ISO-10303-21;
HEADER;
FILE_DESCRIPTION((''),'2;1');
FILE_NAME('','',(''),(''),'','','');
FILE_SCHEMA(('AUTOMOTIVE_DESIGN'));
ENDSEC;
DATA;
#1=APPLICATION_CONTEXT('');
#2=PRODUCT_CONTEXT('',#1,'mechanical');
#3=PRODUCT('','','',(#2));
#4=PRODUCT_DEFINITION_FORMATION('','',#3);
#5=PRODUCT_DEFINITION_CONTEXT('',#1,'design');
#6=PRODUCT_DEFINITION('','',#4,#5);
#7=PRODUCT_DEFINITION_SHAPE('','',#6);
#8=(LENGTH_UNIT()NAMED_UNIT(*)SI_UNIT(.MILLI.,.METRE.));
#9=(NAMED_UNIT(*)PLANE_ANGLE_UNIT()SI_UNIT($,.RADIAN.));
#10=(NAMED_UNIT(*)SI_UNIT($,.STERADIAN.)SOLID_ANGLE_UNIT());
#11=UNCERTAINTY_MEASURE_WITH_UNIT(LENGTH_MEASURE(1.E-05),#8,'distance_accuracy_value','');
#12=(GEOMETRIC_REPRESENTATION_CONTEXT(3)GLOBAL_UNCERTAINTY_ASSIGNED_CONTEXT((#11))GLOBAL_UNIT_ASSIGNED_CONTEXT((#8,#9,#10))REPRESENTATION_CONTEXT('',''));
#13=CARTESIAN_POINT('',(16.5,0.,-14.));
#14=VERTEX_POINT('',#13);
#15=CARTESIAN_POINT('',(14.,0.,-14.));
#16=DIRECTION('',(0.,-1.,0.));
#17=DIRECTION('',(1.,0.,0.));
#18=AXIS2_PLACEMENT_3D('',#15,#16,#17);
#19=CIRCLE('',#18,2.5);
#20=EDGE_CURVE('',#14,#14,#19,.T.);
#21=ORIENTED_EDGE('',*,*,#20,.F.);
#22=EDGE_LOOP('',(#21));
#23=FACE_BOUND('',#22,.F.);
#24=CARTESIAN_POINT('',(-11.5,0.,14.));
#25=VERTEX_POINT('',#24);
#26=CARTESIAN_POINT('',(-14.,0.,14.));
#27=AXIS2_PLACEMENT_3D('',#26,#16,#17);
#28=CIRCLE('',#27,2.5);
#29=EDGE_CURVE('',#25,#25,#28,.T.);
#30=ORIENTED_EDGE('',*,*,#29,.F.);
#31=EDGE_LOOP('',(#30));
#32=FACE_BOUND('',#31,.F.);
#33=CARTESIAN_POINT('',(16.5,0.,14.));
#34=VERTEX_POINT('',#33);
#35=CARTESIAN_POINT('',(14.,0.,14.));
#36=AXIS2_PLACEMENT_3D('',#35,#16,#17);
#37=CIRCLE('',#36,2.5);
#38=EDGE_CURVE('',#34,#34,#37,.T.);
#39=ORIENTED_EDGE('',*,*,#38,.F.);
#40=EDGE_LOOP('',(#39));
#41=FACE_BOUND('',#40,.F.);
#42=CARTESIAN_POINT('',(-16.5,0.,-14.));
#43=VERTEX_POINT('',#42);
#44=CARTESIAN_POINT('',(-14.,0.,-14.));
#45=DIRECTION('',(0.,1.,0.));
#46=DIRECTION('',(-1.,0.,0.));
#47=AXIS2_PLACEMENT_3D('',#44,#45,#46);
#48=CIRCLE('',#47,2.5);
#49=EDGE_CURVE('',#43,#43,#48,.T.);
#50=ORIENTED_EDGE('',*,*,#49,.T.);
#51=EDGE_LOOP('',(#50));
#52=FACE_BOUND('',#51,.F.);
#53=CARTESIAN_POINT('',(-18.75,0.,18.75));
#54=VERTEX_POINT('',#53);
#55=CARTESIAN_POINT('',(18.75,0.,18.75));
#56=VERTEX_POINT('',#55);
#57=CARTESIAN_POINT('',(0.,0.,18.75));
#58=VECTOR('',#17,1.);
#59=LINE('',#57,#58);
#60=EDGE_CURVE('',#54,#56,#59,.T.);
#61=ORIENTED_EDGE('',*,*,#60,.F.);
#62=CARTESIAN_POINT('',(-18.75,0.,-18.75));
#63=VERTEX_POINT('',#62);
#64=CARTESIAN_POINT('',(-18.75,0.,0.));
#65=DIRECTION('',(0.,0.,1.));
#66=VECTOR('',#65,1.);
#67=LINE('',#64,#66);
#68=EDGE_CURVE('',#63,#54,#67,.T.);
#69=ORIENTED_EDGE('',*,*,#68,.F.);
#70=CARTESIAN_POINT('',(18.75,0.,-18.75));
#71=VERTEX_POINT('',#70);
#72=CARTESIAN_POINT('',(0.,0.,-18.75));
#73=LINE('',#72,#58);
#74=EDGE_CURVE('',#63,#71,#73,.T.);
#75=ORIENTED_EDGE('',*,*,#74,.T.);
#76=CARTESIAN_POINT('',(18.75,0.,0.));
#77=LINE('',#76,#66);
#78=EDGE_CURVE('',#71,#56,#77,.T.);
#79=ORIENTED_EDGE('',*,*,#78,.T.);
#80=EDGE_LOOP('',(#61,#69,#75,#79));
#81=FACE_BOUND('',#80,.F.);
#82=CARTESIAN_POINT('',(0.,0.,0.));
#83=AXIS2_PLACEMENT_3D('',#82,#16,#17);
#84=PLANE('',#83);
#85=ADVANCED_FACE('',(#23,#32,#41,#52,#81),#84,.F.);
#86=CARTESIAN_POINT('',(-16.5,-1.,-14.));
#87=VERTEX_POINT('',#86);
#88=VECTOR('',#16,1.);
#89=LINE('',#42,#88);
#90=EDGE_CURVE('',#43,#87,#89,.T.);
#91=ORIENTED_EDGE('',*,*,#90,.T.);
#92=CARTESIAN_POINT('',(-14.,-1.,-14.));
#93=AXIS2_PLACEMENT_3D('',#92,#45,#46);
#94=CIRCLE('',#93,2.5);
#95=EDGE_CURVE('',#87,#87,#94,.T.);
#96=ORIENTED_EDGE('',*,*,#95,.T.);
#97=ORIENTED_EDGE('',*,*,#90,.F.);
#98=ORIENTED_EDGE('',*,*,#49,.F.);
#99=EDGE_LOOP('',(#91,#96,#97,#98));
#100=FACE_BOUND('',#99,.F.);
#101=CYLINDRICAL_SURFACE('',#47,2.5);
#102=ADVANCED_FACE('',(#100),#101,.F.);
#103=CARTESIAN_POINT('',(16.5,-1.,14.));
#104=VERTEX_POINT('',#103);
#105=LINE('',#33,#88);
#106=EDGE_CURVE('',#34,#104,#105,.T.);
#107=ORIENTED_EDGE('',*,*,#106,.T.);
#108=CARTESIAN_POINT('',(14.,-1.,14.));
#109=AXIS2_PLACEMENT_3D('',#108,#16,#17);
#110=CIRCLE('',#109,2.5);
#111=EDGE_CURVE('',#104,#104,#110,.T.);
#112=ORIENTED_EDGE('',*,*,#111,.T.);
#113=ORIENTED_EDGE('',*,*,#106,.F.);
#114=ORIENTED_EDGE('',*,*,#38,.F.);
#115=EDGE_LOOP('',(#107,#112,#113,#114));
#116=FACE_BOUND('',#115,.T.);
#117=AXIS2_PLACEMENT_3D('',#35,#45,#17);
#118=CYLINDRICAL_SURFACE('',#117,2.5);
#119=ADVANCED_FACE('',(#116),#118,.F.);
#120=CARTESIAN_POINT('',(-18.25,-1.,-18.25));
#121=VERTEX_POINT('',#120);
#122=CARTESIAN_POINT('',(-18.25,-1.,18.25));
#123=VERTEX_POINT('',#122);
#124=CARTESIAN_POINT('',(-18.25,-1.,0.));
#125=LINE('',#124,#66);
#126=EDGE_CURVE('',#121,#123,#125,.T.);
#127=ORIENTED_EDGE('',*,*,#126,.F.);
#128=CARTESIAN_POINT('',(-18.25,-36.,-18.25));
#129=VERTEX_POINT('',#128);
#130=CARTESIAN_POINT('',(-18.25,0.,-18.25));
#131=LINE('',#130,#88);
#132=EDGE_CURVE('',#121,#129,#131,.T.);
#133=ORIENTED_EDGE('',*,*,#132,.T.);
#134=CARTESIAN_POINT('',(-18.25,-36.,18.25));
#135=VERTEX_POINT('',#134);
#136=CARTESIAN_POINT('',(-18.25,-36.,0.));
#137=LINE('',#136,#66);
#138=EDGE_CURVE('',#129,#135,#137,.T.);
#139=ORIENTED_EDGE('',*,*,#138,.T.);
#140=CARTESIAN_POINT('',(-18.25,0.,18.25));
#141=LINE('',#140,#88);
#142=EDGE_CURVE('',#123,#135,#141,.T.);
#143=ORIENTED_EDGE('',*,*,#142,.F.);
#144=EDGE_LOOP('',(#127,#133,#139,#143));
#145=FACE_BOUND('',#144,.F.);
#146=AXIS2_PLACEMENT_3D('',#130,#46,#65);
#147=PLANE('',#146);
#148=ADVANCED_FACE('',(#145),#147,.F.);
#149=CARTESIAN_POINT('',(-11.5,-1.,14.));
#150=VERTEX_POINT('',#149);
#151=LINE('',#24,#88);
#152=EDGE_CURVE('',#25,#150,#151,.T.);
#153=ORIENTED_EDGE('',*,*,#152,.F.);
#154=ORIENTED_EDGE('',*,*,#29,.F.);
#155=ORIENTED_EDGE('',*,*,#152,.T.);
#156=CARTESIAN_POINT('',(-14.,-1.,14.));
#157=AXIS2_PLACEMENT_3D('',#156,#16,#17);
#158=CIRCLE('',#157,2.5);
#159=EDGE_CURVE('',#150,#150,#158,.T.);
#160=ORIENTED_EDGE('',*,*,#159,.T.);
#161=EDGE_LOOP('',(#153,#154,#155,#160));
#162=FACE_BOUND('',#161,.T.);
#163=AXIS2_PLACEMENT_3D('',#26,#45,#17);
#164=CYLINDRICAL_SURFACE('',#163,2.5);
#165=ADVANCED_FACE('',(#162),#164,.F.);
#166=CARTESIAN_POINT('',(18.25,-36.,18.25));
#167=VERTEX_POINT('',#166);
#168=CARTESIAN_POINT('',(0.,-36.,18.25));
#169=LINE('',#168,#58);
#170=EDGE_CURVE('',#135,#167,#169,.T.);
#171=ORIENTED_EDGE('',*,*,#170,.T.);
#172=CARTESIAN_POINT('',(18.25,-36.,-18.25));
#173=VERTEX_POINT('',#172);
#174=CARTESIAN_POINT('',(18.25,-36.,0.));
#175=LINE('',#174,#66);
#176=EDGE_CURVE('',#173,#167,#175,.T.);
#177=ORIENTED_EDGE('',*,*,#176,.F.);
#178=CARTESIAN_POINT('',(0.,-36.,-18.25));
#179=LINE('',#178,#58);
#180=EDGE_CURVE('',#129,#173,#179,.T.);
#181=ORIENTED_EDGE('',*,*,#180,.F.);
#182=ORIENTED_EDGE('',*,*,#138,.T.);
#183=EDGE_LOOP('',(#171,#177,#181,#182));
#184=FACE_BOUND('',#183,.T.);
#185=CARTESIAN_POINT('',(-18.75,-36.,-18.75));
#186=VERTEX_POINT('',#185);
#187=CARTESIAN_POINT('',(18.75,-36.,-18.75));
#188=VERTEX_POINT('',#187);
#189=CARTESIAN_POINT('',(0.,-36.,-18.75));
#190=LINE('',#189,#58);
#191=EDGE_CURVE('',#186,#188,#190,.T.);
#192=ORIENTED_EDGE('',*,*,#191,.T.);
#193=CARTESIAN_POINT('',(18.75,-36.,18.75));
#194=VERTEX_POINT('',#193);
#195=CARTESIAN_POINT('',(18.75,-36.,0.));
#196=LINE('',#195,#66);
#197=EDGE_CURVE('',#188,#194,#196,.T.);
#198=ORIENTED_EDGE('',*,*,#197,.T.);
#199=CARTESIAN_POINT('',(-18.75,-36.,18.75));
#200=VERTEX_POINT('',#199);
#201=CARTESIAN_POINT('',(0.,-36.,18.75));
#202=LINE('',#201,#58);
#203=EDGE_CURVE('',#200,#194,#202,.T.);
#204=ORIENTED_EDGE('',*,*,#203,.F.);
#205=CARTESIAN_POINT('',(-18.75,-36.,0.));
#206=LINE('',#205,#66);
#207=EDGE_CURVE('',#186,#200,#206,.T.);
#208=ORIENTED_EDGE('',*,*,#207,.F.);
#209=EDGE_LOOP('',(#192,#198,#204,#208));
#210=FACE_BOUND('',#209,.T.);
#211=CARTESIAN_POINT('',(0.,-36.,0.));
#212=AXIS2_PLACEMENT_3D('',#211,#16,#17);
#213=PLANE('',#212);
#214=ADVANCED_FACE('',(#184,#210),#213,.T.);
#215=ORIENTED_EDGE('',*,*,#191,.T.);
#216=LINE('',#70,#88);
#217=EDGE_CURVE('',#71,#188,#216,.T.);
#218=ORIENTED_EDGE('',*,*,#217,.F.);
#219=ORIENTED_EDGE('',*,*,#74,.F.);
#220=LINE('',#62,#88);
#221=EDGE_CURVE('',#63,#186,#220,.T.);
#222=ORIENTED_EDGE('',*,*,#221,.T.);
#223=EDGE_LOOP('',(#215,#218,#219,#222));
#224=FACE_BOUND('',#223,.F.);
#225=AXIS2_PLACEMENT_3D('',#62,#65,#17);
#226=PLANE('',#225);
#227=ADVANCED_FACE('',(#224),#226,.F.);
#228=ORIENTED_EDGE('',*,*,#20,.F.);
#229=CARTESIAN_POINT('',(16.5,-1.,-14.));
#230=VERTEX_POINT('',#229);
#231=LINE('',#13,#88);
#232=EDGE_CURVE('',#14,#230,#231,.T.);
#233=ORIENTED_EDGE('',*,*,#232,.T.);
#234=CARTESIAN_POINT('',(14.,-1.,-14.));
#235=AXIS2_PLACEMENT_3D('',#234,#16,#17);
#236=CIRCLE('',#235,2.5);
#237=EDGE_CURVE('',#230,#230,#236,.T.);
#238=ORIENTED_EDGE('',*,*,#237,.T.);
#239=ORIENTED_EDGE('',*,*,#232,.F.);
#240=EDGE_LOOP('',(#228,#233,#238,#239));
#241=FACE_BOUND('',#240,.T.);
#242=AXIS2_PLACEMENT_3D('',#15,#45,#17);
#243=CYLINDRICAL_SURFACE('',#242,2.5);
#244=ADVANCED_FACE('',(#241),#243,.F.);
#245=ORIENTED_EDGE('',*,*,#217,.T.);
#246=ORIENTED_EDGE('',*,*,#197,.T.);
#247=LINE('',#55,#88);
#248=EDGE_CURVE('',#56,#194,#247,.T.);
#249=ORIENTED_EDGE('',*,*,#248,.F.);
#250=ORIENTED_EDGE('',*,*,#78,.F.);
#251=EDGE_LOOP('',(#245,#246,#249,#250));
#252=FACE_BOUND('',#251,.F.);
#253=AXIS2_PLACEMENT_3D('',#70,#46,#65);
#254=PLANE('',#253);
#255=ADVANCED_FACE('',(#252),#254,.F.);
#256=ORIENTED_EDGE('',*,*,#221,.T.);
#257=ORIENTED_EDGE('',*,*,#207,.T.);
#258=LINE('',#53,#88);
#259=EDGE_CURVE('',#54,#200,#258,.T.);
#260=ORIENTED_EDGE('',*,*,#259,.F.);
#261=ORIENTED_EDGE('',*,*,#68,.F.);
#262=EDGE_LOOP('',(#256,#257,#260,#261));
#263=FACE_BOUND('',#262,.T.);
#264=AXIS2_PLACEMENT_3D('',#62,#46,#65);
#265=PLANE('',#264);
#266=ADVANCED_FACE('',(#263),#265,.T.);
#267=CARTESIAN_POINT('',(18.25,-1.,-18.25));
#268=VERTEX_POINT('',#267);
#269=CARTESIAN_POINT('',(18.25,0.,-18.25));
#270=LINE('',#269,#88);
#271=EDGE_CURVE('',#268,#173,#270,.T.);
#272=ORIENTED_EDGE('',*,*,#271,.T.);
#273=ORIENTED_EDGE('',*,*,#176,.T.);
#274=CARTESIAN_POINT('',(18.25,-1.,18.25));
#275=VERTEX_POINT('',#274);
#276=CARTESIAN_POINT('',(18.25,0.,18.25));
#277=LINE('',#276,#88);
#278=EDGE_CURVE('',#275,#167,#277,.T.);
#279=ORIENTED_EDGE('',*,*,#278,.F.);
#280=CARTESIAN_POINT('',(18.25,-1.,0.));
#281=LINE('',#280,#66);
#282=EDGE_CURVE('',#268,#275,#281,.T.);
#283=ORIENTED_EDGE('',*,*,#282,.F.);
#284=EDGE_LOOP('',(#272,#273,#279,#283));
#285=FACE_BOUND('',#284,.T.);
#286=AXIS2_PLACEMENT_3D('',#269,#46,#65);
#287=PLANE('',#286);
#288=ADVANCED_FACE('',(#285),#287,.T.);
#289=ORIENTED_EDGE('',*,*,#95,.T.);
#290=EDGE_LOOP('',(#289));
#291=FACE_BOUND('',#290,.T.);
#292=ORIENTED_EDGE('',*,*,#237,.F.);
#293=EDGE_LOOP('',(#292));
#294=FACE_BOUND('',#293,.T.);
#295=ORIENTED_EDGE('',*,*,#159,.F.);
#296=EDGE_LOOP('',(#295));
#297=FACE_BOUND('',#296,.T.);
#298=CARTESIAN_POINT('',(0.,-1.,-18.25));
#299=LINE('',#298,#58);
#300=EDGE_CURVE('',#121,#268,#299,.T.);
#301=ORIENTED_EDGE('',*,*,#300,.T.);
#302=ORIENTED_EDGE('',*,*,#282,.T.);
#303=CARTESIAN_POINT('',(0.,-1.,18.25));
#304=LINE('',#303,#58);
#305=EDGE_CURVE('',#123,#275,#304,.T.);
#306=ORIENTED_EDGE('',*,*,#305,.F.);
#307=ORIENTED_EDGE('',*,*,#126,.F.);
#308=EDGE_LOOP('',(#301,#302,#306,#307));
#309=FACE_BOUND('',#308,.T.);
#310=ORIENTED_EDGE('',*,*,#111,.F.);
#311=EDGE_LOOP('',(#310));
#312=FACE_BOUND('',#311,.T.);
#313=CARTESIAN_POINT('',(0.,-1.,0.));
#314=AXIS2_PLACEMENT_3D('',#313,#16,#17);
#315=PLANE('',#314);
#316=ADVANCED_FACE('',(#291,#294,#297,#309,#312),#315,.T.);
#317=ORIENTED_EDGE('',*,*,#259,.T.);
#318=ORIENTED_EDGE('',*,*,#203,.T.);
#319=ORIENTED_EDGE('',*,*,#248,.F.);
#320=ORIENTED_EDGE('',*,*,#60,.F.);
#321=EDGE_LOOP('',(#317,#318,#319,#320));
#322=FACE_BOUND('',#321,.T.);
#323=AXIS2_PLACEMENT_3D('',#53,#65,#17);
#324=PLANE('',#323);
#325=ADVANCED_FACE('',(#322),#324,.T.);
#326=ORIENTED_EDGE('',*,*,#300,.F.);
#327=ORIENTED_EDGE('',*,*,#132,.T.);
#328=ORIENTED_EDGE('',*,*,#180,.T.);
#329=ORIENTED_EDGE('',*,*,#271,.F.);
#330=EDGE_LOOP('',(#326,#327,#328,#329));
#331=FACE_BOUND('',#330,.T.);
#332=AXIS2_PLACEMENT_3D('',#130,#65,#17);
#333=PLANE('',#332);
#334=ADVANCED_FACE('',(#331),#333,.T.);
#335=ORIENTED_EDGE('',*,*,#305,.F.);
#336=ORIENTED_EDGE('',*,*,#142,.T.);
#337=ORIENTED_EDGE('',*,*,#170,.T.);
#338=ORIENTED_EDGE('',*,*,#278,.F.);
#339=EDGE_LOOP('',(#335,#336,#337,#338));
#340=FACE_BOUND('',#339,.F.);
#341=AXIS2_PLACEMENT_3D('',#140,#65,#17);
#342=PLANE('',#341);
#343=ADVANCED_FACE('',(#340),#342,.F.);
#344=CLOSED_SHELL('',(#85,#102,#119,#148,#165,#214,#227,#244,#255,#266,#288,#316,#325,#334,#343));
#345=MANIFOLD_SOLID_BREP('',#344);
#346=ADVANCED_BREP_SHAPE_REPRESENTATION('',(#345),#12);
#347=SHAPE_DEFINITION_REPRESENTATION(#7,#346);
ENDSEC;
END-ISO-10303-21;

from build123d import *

# Parameters (mm, degrees)
F0_W     = 37.5
F0_H     = 37.5
F0_W_2   = 36.5
F0_H_2   = 36.5
F1_DEPTH = 36
F0_R     = 2.5
F2_DEPTH = 1


with BuildPart() as f1:
    # F0 (on Front) → F1 (new body)
    with BuildSketch(Plane.XZ):
        Rectangle(F0_W, F0_H)
        Rectangle(F0_W_2, F0_H_2, mode=Mode.SUBTRACT)
    extrude(amount=F1_DEPTH)

    # F0 (on Front) → F2 (join)
    with BuildSketch(Plane.XZ):
        Rectangle(F0_W_2, F0_H_2)
        Polygon((18, 18), (18, -18), (-18, -18), (-18, -14), (-18, 18), align=None, mode=Mode.SUBTRACT)
        Polygon((-18, -18), (18, -18), (18, 18), (-18, 18), (-18, -14), align=None)
        with BuildLine():
            ThreePointArc((-11.5, -14), (-14, -16.5), (-16.5, -14))
            ThreePointArc((-16.5, -14), (-14, -11.5), (-11.5, -14))
        make_face(mode=Mode.SUBTRACT)
        with Locations((14, -14)):
            Circle(F0_R, mode=Mode.SUBTRACT)
        with Locations((-14, 14)):
            Circle(F0_R, mode=Mode.SUBTRACT)
        with Locations((14, 14)):
            Circle(F0_R, mode=Mode.SUBTRACT)
    extrude(amount=F2_DEPTH)


solid = f1.part
